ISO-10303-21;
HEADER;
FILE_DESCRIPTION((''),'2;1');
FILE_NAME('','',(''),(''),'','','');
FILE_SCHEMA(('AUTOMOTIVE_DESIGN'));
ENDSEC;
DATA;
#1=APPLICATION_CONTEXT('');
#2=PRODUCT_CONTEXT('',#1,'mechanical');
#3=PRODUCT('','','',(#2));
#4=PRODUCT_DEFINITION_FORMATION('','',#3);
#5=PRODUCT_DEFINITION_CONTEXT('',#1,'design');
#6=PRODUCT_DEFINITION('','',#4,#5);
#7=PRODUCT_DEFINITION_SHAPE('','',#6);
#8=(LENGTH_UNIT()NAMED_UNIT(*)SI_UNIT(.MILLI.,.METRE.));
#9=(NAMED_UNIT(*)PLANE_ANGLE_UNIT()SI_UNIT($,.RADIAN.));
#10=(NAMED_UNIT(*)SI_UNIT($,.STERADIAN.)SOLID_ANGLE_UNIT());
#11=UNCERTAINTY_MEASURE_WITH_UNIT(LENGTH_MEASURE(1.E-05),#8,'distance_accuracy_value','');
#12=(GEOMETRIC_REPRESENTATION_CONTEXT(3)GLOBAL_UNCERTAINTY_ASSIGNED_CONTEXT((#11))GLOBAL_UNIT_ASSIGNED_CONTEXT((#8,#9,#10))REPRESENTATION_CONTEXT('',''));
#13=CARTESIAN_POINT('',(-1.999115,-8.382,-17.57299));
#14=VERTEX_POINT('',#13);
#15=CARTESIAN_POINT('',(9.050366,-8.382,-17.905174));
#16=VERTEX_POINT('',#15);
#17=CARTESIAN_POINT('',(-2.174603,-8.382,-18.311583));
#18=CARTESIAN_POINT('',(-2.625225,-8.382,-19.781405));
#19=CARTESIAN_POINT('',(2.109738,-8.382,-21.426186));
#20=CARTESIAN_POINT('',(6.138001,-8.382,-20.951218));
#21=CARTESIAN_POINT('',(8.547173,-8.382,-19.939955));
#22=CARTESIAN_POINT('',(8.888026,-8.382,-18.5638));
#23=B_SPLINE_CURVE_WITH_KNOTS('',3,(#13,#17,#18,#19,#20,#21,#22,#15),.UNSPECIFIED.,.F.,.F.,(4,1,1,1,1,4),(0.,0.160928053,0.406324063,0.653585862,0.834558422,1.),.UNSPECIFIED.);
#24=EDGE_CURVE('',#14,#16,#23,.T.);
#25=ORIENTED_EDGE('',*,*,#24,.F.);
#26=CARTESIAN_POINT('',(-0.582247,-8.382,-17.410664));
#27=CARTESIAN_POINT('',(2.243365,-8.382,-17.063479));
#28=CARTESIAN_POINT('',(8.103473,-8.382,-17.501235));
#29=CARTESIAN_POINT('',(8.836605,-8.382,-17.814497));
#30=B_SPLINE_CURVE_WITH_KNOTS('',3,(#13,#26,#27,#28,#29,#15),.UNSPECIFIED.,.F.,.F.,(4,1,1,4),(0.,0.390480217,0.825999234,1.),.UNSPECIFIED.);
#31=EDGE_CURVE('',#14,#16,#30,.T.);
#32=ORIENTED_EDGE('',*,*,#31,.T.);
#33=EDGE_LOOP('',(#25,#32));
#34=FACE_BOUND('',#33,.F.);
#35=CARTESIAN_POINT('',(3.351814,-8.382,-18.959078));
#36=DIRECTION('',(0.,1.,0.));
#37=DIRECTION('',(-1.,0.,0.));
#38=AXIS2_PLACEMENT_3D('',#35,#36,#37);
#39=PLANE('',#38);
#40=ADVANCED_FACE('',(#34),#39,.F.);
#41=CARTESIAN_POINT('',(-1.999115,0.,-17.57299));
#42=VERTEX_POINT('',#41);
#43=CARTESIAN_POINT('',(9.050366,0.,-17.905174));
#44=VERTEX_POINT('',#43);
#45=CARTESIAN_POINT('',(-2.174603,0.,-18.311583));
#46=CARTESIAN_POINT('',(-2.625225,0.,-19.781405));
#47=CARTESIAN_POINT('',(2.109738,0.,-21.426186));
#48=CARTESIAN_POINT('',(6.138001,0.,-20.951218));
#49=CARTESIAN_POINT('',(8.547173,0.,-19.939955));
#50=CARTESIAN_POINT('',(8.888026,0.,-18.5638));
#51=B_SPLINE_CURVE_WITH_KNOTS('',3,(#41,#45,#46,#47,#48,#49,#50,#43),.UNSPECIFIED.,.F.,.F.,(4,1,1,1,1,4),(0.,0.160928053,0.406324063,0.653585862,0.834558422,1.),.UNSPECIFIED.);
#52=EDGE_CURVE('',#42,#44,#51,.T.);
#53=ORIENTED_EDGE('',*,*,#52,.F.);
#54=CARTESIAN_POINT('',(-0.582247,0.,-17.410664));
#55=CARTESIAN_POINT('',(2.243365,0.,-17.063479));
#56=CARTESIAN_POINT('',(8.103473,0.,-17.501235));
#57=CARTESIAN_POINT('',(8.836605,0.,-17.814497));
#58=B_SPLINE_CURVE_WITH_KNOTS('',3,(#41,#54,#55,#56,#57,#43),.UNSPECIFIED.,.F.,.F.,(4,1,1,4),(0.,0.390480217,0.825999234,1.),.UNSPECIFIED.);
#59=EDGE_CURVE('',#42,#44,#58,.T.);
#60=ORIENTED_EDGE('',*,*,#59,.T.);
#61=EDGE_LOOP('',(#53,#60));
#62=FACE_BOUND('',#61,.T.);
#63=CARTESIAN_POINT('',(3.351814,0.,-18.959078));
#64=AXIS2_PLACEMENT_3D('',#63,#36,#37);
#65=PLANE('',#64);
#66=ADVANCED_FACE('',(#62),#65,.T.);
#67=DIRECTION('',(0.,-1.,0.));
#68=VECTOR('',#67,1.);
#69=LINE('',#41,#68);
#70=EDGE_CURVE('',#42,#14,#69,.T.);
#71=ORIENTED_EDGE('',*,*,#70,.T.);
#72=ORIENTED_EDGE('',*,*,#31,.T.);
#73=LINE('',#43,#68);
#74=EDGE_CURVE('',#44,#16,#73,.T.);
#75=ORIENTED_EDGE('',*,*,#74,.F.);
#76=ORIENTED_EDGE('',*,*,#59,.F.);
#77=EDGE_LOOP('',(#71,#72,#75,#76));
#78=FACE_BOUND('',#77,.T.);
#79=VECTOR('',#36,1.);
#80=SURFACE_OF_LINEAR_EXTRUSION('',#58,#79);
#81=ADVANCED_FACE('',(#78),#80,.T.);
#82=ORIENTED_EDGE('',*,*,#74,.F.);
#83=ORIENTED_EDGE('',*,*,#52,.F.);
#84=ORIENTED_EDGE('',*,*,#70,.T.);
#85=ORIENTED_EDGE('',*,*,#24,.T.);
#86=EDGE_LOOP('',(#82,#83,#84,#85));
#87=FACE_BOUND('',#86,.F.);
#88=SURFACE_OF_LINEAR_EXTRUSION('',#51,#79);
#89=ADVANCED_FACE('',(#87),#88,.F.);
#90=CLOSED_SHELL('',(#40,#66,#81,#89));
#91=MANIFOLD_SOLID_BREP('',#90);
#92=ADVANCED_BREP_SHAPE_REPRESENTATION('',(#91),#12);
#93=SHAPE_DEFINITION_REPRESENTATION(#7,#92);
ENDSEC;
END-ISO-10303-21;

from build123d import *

# Parameters (mm, degrees)
F1_DEPTH = 8.382


with BuildPart() as f1:
    # F0 (on Front) → F1 (new body)
    with BuildSketch(Plane.XZ):
        with BuildLine():
            add(Edge.make_bspline(
                [(-1.9991148729, -17.5729896873), (-0.5822473186, -17.4106636786), (2.243365301, -17.0634785333), (8.1034733661, -17.5012345375), (8.836604665, -17.8144971098), (9.0503664687, -17.9051738232)],
                knots=[0, 0, 0, 0, 0.3904802172, 0.8259992341, 1, 1, 1, 1], degree=3))
            add(Edge.make_bspline(
                [(-1.9991148729, -17.5729896873), (-2.1746030511, -18.311583258), (-2.6252251223, -19.7814045216), (2.1097379433, -21.4261857274), (6.1380007553, -20.9512181603), (8.5471727088, -19.9399550269), (8.8880259895, -18.5638000463), (9.0503664687, -17.9051738232)],
                knots=[0, 0, 0, 0, 0.1609280531, 0.4063240625, 0.6535858616, 0.8345584217, 1, 1, 1, 1], degree=3))
        make_face()
    extrude(amount=F1_DEPTH)


solid = f1.part
